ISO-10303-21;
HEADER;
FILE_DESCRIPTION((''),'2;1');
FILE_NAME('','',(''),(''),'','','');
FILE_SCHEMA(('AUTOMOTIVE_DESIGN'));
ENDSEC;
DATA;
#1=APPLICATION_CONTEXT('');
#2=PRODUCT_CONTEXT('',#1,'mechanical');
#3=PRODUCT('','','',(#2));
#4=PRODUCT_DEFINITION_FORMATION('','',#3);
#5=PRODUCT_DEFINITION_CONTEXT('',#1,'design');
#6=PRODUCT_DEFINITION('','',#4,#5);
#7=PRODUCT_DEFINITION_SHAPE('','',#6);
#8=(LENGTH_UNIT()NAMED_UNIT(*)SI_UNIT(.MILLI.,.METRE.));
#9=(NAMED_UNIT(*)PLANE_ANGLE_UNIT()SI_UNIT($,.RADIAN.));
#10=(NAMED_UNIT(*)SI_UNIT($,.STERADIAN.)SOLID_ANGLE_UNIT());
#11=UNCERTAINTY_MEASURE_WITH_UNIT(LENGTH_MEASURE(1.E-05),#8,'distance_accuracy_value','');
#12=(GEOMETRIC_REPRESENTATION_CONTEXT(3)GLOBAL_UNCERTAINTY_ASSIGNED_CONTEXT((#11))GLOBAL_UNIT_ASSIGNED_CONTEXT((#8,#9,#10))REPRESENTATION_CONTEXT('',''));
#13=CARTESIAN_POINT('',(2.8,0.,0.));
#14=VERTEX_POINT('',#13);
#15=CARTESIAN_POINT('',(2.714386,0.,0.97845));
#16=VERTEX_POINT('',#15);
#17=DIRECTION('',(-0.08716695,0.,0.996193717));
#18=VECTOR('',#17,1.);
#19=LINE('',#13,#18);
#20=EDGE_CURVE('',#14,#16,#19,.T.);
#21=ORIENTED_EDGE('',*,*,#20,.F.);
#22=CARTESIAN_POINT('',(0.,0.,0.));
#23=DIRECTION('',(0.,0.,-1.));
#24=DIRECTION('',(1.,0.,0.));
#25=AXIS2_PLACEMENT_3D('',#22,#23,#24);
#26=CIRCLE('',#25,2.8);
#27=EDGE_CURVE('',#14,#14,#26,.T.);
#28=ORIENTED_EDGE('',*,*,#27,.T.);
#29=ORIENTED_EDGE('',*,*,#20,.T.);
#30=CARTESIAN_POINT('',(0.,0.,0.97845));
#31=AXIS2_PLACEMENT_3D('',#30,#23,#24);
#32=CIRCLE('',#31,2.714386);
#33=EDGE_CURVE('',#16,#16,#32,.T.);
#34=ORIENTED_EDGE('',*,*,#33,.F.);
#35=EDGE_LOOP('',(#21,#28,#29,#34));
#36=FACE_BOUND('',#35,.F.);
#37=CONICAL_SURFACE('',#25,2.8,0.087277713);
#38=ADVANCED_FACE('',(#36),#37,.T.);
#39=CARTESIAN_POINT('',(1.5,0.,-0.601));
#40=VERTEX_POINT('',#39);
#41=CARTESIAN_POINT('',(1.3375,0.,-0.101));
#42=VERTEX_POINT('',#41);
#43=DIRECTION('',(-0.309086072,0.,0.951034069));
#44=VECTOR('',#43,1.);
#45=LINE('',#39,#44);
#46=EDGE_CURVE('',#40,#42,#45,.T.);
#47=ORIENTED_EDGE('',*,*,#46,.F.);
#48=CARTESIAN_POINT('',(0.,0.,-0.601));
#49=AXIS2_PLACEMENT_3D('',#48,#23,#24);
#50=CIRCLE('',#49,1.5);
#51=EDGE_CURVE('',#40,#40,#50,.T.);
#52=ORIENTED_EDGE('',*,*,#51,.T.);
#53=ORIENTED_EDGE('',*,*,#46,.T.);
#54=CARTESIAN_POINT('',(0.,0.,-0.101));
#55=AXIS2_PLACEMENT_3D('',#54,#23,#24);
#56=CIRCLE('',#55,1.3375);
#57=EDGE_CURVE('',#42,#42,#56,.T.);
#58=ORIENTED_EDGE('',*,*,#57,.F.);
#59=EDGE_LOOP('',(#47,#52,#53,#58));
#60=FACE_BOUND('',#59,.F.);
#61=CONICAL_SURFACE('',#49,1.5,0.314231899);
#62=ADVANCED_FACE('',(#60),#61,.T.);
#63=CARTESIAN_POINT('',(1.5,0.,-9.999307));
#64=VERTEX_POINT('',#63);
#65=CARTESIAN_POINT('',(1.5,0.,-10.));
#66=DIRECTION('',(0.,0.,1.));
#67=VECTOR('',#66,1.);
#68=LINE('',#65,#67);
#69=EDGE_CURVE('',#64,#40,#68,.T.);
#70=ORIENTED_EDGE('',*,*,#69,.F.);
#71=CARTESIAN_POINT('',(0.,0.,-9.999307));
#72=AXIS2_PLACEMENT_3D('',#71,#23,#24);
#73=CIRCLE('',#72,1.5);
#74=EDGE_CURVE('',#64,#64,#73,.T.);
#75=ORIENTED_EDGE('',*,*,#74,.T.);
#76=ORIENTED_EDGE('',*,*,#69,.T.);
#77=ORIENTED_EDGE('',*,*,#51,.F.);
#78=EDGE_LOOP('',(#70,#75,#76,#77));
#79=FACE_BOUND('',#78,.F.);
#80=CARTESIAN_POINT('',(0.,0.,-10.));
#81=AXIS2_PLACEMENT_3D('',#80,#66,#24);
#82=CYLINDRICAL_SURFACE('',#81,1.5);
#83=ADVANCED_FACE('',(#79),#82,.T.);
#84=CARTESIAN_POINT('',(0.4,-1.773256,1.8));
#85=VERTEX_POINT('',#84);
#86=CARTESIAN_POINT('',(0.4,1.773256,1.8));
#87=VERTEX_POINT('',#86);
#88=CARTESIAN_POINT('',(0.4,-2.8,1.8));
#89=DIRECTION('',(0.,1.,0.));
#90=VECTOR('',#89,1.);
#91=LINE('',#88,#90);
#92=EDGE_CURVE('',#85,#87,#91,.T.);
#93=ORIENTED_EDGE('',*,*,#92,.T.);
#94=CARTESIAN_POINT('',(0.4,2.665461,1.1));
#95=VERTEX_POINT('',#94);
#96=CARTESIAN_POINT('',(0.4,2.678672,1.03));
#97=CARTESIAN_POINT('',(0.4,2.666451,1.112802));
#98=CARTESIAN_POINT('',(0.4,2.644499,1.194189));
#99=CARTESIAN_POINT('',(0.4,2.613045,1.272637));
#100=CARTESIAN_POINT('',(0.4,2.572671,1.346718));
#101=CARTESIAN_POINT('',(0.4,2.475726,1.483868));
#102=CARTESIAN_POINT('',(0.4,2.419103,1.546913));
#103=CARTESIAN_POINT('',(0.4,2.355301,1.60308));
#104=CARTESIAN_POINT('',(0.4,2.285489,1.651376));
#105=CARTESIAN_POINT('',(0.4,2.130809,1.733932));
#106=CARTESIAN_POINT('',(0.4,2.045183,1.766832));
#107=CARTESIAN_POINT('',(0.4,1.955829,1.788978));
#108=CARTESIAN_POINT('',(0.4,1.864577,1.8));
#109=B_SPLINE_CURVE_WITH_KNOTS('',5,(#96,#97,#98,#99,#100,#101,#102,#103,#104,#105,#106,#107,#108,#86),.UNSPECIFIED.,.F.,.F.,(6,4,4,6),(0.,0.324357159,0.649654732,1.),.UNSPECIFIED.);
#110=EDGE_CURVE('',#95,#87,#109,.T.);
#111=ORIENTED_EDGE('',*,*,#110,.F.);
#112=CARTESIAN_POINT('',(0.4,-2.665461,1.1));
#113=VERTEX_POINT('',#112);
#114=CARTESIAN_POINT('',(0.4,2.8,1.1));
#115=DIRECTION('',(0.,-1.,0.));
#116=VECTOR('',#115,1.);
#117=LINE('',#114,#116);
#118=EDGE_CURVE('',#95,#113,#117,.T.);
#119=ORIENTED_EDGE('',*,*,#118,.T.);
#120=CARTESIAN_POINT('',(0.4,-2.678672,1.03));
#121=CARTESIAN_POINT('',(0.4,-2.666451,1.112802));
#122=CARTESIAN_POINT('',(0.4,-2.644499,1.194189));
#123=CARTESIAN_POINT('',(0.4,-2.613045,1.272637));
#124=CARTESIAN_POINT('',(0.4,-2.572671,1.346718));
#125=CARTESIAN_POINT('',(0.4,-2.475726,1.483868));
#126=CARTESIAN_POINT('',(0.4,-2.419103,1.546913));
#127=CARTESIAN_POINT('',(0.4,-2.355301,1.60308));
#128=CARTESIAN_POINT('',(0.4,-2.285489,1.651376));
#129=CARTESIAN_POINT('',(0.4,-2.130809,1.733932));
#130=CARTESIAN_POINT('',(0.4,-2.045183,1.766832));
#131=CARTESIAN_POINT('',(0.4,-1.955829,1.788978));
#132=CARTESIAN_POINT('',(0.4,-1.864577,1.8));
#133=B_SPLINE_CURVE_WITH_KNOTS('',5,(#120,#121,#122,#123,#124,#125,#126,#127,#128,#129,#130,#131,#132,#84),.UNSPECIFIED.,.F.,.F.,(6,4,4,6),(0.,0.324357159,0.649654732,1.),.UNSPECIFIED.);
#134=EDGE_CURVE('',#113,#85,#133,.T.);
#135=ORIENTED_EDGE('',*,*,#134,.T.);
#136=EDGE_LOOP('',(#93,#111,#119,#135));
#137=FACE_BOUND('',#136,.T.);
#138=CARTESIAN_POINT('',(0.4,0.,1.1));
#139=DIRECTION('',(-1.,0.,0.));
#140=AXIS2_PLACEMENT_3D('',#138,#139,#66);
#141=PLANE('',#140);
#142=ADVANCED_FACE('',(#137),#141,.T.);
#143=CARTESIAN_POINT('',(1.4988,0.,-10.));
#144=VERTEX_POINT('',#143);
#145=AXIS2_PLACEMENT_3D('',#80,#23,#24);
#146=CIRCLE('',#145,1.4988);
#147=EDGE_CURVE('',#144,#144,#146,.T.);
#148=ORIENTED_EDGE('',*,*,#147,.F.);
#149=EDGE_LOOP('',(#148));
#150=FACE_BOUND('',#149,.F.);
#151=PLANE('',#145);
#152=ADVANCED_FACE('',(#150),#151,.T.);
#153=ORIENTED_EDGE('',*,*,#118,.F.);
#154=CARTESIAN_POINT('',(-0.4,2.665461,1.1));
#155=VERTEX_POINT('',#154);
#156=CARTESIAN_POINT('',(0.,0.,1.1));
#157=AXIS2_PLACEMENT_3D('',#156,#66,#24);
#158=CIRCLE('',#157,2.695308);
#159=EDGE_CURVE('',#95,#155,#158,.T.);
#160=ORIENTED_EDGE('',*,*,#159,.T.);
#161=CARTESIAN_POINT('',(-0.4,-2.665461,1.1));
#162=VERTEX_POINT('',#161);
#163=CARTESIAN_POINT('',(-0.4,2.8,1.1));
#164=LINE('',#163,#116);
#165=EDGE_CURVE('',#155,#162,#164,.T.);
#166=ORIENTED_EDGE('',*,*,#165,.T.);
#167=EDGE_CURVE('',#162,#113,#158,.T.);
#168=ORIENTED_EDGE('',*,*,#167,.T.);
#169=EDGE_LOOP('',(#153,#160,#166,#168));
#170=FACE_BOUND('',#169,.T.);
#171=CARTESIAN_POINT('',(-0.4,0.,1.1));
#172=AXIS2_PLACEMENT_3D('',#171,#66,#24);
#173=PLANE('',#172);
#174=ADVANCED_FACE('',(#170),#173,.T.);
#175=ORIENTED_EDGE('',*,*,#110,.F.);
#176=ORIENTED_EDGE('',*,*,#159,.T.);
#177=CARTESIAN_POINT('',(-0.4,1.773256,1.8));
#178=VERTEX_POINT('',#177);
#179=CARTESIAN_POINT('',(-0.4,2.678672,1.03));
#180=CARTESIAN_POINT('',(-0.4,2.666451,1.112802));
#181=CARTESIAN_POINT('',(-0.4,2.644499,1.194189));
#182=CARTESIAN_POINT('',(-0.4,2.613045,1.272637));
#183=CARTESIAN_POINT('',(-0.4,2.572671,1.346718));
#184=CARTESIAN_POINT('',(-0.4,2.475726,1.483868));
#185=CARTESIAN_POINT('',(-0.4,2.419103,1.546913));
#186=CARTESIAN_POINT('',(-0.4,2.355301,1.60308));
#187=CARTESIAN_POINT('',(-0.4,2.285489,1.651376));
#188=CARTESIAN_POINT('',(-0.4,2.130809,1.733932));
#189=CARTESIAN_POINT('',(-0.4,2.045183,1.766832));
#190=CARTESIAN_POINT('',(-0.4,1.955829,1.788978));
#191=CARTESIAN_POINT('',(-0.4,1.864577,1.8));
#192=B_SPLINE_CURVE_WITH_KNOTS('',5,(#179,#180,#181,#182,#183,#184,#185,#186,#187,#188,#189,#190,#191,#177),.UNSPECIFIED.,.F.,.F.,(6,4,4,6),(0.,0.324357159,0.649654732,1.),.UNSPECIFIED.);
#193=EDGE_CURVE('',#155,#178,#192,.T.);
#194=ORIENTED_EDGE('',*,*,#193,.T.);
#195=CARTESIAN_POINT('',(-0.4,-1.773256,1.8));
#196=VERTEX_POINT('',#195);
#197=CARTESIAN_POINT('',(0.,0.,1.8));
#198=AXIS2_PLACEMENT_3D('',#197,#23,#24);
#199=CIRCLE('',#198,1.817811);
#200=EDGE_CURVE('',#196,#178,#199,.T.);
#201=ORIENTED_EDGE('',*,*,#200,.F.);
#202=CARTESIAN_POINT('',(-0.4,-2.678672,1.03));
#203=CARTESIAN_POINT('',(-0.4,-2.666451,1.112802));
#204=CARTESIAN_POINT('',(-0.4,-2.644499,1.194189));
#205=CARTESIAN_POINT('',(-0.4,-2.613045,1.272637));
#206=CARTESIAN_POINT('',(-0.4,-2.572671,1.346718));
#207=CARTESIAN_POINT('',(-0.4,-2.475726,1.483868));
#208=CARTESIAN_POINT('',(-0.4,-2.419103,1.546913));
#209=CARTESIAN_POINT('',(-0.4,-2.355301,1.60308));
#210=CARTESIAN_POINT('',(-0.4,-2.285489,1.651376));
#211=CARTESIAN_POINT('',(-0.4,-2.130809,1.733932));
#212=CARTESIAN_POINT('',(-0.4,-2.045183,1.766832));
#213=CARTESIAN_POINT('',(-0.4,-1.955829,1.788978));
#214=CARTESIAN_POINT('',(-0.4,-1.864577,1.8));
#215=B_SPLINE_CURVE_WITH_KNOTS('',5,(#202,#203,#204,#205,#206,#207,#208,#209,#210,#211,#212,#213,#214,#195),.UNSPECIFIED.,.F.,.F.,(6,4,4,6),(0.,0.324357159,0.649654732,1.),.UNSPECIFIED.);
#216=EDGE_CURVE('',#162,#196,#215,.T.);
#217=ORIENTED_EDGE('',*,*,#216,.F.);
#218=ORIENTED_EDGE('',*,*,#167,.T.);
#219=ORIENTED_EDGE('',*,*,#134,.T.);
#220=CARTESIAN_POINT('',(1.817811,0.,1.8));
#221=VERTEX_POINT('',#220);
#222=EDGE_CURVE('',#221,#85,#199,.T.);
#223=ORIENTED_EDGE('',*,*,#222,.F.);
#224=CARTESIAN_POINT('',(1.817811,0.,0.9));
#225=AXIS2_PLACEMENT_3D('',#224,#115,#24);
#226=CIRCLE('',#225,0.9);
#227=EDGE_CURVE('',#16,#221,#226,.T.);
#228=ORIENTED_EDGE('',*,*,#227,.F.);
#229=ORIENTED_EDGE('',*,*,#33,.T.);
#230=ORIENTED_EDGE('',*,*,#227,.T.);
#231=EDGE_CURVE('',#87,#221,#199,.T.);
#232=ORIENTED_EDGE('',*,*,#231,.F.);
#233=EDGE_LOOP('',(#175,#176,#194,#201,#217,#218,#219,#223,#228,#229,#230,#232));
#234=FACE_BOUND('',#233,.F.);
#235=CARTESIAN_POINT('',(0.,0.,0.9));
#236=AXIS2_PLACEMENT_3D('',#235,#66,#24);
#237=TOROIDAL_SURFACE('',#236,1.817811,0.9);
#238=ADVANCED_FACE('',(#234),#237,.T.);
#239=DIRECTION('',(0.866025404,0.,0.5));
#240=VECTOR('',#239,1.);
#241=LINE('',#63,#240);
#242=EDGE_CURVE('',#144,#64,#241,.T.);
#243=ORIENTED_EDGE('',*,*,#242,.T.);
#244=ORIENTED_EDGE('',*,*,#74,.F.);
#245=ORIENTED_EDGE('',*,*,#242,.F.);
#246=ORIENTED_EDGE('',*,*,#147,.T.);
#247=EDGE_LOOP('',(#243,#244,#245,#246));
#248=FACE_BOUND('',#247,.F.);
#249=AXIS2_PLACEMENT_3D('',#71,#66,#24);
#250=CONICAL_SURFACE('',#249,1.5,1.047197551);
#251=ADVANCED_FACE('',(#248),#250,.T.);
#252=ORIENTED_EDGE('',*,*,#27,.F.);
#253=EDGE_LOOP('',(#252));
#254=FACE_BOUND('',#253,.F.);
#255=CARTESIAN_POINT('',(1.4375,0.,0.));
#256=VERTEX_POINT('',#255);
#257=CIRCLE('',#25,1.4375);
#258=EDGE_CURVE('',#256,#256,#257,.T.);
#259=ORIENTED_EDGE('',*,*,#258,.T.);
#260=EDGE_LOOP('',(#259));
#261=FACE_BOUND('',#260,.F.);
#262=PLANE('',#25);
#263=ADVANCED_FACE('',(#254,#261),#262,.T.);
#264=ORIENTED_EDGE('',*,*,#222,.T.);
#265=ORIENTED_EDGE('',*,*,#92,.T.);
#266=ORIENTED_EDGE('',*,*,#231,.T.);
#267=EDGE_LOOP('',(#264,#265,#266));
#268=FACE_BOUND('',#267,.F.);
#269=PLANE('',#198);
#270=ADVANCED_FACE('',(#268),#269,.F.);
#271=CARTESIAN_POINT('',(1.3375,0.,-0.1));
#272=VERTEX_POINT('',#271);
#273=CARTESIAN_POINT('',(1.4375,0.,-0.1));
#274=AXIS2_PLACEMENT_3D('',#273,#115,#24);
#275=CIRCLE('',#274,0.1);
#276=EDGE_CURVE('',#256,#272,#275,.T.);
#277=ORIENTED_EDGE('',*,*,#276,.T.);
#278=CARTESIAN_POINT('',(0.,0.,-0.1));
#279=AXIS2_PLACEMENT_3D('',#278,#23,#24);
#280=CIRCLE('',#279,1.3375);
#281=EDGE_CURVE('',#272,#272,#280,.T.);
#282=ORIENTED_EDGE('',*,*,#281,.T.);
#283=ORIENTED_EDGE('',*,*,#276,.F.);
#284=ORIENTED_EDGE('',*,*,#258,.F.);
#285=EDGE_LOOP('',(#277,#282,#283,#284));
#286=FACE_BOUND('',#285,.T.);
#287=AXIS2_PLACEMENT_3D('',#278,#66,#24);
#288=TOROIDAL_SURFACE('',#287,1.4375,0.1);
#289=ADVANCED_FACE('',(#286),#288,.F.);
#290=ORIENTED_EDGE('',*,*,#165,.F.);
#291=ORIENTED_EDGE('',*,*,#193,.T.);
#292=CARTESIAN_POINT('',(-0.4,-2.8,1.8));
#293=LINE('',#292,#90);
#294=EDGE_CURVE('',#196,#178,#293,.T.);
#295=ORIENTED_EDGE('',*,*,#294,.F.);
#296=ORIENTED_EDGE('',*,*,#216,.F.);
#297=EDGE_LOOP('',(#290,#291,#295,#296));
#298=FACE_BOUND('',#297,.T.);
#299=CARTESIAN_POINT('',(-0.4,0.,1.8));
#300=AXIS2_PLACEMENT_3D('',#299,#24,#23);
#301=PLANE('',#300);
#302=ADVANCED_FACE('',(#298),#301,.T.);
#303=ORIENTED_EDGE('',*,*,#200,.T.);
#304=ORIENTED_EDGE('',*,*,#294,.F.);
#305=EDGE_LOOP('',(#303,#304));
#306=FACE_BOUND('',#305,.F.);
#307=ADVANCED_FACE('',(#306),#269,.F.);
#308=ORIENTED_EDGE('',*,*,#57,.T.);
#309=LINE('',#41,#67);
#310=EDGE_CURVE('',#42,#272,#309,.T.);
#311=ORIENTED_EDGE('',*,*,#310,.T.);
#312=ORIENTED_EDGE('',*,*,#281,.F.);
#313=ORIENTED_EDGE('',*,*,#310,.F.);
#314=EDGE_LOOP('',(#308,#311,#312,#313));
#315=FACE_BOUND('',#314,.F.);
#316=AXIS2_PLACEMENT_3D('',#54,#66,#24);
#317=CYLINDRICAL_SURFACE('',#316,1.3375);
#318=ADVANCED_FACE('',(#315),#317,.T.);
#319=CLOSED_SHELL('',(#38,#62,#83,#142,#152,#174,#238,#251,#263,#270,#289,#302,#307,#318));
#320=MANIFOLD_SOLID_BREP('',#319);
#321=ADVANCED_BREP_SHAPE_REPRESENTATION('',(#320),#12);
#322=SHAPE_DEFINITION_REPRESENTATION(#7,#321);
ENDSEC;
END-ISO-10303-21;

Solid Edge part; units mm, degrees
sketch "Sketch1" plane through (0, 0, 0) normal (0, -1, 0) x (1, 0, 0)
  line L0 (0, -10) -> (1.5, -10)
  line L1 (1.5, -10) -> (1.5, -0.601)
  line L2 (1.5, -0.601) -> (1.3375, -0.101)
  line L3 (1.3375, -0.101) -> (1.3375, 0)
  line L4 (1.3375, 0) -> (2.8, 0)
  line L5 (2.8, 0) -> (2.6425, 1.8)
  line L6 (2.6425, 1.8) -> (0, 1.8)
  dimension "D1" = 1.5
  dimension "D2" = 1.3375
  dimension "D3" = 10
  dimension "D4" = 9.399
  dimension "D5" = 0.5
  dimension "D6" = 2.8
  dimension "D7" = 1.8
revolve "RevolvedProtrusion1" add sketch "Sketch1" angle 360 about axis through (0, 0, 6) along (0, 0, -1)
fillet "Round_1" radius 0.9 1 edges at (-2.6425, 0, 1.8)
sketch "Sketch2" plane through (0, 0, 0) normal (0, -1, 0) x (1, 0, 0)
  line L0 (-0.4, 1.8) -> (-0.4, 1.1)
  line L1 (-0.4, 1.1) -> (0.4, 1.1)
  line L2 (0.4, 1.1) -> (0.4, 1.8)
  line L3 (0.4, 1.8) -> (-0.4, 1.8)
  dimension "D1" = 0.8
  dimension "D2" = 0.7
  dimension "D3" = 1.8
extrude "ExtrudedCutout_1" cut sketch "Sketch2" along normal mid plane 5.6
cosmetic_thread "Thread_1" size "M3" thread depth 9.399
fillet "Round_2" radius 0.1 1 edges at (-1.3375, 0, 0)
chamfer "Chamfer_1" distance 0.0012 angle 30 1 edges at (-1.5, 0, -10) measured on face at (1.03, 0.97, -10)
properties material "Steel"
